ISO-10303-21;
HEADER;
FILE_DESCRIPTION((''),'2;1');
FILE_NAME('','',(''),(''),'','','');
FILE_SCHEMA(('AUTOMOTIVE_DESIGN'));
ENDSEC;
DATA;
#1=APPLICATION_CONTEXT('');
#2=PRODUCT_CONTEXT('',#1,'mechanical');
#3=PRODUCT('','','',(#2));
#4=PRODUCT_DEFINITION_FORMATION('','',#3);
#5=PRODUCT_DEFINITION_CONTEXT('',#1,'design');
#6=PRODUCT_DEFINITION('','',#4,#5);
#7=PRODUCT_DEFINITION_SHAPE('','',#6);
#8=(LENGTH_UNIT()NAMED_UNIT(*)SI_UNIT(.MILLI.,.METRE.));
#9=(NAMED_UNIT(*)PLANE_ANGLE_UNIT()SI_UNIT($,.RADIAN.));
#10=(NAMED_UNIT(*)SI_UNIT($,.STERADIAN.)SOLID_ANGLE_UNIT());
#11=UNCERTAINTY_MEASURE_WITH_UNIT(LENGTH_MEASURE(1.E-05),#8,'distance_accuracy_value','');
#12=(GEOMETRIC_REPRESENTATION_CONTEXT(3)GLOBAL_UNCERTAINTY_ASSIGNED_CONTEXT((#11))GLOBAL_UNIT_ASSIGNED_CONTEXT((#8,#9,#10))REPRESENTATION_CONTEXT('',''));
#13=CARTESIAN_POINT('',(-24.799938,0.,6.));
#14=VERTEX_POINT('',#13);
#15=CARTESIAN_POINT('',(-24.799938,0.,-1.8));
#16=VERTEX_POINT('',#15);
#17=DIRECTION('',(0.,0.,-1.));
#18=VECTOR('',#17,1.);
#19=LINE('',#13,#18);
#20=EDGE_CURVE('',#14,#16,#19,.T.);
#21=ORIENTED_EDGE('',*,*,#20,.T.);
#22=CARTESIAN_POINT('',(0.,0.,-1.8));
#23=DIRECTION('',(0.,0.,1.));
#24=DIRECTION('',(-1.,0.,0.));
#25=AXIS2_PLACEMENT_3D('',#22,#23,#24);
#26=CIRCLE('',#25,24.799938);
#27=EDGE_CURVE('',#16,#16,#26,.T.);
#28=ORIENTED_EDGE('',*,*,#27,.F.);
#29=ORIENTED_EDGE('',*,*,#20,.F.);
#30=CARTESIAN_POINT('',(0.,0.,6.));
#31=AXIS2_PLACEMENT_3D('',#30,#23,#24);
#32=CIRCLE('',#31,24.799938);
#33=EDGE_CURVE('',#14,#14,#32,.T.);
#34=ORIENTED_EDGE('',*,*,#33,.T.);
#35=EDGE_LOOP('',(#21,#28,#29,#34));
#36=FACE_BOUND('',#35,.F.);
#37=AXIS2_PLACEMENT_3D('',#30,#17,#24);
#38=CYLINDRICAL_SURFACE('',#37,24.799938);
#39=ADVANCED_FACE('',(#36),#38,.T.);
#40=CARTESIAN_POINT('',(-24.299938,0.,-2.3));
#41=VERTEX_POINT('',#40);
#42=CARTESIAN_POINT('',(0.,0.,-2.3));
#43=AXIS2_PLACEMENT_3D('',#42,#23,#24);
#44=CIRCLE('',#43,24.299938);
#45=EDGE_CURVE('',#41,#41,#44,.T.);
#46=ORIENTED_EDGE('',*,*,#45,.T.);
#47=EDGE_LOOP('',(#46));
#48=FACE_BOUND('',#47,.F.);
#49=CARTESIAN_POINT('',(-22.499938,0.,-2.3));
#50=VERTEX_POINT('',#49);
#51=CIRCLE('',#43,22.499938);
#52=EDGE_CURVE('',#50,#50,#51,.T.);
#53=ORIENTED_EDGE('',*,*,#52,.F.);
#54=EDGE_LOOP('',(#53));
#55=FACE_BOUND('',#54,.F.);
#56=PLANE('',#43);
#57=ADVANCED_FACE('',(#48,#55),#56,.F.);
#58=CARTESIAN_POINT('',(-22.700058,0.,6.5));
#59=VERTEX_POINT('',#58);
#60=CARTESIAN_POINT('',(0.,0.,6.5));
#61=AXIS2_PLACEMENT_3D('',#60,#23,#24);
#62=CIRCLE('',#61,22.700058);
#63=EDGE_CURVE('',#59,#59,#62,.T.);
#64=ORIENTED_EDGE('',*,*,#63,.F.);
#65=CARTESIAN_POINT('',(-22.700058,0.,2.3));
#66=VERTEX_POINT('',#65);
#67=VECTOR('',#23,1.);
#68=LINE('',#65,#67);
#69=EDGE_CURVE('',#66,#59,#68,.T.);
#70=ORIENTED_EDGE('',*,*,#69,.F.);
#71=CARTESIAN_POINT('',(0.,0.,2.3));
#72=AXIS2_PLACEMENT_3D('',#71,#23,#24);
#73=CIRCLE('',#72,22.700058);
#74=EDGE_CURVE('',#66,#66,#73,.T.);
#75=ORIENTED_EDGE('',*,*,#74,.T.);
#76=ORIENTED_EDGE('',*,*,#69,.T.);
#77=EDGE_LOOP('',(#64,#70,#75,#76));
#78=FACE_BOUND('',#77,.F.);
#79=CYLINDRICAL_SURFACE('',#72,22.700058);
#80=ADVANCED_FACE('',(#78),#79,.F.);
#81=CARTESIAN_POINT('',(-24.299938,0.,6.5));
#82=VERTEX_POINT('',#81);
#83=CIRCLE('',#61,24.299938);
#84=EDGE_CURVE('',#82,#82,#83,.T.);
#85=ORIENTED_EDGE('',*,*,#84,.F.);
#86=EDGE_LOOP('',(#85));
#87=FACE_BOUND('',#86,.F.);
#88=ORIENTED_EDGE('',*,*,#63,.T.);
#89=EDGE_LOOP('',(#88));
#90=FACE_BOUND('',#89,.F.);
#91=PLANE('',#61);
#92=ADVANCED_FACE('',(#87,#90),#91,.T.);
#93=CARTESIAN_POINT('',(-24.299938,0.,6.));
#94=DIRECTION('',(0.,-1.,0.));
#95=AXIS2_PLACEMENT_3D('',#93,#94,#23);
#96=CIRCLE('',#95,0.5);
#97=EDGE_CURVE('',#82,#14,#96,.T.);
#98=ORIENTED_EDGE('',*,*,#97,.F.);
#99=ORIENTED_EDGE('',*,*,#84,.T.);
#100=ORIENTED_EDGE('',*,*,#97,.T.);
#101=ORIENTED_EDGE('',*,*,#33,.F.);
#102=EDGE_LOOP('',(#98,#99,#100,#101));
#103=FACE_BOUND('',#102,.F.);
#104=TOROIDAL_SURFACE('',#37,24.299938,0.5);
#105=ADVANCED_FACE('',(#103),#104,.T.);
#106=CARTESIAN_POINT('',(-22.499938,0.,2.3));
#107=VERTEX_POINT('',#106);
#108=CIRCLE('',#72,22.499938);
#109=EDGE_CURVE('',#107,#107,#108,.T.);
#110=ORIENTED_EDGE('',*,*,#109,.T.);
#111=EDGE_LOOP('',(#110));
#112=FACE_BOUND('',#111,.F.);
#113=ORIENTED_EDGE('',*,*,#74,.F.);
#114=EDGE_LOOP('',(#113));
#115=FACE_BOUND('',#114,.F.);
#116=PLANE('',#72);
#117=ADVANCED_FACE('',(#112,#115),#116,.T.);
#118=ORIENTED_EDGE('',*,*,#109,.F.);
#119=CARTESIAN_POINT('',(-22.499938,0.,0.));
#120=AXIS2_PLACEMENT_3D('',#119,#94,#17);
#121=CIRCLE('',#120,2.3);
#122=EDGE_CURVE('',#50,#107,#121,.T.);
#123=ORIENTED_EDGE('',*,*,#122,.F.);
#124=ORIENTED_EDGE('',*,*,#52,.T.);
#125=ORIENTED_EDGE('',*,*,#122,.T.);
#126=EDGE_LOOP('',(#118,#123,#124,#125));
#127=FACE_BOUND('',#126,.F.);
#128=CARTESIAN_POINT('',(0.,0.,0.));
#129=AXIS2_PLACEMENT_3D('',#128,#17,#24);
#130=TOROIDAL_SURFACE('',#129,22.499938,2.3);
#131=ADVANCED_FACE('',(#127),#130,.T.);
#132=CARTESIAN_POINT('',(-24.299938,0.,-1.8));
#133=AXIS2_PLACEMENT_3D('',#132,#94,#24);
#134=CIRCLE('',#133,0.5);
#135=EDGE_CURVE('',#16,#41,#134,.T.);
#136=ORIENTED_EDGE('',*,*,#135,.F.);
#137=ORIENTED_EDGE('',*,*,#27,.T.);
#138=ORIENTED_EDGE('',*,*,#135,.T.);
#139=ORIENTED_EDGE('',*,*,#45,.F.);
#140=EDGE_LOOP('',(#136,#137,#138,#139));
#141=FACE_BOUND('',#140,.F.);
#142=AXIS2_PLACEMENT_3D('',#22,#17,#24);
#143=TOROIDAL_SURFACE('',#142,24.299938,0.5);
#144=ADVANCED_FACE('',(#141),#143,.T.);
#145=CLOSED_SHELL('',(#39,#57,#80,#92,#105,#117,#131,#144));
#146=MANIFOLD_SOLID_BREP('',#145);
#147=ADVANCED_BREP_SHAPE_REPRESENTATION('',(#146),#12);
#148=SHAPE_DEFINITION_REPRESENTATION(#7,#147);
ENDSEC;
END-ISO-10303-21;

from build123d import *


with BuildPart() as f2:
    # F1 (on Front) → F2 (revolve)
    with BuildSketch(Plane.XZ):
        with BuildLine():
            Line((-24.2999375641, -2.3), (-22.4999375641, -2.3))
            ThreePointArc((-22.4999375641, -2.3), (-20.1999375641, 0), (-22.4999375641, 2.3))
            Line((-22.4999375641, 2.3), (-22.7000582963, 2.3))
            Line((-22.7000582963, 2.3), (-22.7000582963, 6.5))
            Line((-22.7000582963, 6.5), (-24.2999375641, 6.5))
            ThreePointArc((-24.2999375641, 6.5), (-24.6534909547, 6.3535533906), (-24.7999375641, 6))
            Line((-24.7999375641, 6), (-24.7999375641, 2))
            Line((-24.7999375641, 2), (-24.7999375641, -1.8))
            ThreePointArc((-24.7999375641, -1.8), (-24.6534909547, -2.1535533906), (-24.2999375641, -2.3))
        make_face()
    revolve(axis=Axis((0, 0, 0), (0, 0, 1)))


solid = f2.part
